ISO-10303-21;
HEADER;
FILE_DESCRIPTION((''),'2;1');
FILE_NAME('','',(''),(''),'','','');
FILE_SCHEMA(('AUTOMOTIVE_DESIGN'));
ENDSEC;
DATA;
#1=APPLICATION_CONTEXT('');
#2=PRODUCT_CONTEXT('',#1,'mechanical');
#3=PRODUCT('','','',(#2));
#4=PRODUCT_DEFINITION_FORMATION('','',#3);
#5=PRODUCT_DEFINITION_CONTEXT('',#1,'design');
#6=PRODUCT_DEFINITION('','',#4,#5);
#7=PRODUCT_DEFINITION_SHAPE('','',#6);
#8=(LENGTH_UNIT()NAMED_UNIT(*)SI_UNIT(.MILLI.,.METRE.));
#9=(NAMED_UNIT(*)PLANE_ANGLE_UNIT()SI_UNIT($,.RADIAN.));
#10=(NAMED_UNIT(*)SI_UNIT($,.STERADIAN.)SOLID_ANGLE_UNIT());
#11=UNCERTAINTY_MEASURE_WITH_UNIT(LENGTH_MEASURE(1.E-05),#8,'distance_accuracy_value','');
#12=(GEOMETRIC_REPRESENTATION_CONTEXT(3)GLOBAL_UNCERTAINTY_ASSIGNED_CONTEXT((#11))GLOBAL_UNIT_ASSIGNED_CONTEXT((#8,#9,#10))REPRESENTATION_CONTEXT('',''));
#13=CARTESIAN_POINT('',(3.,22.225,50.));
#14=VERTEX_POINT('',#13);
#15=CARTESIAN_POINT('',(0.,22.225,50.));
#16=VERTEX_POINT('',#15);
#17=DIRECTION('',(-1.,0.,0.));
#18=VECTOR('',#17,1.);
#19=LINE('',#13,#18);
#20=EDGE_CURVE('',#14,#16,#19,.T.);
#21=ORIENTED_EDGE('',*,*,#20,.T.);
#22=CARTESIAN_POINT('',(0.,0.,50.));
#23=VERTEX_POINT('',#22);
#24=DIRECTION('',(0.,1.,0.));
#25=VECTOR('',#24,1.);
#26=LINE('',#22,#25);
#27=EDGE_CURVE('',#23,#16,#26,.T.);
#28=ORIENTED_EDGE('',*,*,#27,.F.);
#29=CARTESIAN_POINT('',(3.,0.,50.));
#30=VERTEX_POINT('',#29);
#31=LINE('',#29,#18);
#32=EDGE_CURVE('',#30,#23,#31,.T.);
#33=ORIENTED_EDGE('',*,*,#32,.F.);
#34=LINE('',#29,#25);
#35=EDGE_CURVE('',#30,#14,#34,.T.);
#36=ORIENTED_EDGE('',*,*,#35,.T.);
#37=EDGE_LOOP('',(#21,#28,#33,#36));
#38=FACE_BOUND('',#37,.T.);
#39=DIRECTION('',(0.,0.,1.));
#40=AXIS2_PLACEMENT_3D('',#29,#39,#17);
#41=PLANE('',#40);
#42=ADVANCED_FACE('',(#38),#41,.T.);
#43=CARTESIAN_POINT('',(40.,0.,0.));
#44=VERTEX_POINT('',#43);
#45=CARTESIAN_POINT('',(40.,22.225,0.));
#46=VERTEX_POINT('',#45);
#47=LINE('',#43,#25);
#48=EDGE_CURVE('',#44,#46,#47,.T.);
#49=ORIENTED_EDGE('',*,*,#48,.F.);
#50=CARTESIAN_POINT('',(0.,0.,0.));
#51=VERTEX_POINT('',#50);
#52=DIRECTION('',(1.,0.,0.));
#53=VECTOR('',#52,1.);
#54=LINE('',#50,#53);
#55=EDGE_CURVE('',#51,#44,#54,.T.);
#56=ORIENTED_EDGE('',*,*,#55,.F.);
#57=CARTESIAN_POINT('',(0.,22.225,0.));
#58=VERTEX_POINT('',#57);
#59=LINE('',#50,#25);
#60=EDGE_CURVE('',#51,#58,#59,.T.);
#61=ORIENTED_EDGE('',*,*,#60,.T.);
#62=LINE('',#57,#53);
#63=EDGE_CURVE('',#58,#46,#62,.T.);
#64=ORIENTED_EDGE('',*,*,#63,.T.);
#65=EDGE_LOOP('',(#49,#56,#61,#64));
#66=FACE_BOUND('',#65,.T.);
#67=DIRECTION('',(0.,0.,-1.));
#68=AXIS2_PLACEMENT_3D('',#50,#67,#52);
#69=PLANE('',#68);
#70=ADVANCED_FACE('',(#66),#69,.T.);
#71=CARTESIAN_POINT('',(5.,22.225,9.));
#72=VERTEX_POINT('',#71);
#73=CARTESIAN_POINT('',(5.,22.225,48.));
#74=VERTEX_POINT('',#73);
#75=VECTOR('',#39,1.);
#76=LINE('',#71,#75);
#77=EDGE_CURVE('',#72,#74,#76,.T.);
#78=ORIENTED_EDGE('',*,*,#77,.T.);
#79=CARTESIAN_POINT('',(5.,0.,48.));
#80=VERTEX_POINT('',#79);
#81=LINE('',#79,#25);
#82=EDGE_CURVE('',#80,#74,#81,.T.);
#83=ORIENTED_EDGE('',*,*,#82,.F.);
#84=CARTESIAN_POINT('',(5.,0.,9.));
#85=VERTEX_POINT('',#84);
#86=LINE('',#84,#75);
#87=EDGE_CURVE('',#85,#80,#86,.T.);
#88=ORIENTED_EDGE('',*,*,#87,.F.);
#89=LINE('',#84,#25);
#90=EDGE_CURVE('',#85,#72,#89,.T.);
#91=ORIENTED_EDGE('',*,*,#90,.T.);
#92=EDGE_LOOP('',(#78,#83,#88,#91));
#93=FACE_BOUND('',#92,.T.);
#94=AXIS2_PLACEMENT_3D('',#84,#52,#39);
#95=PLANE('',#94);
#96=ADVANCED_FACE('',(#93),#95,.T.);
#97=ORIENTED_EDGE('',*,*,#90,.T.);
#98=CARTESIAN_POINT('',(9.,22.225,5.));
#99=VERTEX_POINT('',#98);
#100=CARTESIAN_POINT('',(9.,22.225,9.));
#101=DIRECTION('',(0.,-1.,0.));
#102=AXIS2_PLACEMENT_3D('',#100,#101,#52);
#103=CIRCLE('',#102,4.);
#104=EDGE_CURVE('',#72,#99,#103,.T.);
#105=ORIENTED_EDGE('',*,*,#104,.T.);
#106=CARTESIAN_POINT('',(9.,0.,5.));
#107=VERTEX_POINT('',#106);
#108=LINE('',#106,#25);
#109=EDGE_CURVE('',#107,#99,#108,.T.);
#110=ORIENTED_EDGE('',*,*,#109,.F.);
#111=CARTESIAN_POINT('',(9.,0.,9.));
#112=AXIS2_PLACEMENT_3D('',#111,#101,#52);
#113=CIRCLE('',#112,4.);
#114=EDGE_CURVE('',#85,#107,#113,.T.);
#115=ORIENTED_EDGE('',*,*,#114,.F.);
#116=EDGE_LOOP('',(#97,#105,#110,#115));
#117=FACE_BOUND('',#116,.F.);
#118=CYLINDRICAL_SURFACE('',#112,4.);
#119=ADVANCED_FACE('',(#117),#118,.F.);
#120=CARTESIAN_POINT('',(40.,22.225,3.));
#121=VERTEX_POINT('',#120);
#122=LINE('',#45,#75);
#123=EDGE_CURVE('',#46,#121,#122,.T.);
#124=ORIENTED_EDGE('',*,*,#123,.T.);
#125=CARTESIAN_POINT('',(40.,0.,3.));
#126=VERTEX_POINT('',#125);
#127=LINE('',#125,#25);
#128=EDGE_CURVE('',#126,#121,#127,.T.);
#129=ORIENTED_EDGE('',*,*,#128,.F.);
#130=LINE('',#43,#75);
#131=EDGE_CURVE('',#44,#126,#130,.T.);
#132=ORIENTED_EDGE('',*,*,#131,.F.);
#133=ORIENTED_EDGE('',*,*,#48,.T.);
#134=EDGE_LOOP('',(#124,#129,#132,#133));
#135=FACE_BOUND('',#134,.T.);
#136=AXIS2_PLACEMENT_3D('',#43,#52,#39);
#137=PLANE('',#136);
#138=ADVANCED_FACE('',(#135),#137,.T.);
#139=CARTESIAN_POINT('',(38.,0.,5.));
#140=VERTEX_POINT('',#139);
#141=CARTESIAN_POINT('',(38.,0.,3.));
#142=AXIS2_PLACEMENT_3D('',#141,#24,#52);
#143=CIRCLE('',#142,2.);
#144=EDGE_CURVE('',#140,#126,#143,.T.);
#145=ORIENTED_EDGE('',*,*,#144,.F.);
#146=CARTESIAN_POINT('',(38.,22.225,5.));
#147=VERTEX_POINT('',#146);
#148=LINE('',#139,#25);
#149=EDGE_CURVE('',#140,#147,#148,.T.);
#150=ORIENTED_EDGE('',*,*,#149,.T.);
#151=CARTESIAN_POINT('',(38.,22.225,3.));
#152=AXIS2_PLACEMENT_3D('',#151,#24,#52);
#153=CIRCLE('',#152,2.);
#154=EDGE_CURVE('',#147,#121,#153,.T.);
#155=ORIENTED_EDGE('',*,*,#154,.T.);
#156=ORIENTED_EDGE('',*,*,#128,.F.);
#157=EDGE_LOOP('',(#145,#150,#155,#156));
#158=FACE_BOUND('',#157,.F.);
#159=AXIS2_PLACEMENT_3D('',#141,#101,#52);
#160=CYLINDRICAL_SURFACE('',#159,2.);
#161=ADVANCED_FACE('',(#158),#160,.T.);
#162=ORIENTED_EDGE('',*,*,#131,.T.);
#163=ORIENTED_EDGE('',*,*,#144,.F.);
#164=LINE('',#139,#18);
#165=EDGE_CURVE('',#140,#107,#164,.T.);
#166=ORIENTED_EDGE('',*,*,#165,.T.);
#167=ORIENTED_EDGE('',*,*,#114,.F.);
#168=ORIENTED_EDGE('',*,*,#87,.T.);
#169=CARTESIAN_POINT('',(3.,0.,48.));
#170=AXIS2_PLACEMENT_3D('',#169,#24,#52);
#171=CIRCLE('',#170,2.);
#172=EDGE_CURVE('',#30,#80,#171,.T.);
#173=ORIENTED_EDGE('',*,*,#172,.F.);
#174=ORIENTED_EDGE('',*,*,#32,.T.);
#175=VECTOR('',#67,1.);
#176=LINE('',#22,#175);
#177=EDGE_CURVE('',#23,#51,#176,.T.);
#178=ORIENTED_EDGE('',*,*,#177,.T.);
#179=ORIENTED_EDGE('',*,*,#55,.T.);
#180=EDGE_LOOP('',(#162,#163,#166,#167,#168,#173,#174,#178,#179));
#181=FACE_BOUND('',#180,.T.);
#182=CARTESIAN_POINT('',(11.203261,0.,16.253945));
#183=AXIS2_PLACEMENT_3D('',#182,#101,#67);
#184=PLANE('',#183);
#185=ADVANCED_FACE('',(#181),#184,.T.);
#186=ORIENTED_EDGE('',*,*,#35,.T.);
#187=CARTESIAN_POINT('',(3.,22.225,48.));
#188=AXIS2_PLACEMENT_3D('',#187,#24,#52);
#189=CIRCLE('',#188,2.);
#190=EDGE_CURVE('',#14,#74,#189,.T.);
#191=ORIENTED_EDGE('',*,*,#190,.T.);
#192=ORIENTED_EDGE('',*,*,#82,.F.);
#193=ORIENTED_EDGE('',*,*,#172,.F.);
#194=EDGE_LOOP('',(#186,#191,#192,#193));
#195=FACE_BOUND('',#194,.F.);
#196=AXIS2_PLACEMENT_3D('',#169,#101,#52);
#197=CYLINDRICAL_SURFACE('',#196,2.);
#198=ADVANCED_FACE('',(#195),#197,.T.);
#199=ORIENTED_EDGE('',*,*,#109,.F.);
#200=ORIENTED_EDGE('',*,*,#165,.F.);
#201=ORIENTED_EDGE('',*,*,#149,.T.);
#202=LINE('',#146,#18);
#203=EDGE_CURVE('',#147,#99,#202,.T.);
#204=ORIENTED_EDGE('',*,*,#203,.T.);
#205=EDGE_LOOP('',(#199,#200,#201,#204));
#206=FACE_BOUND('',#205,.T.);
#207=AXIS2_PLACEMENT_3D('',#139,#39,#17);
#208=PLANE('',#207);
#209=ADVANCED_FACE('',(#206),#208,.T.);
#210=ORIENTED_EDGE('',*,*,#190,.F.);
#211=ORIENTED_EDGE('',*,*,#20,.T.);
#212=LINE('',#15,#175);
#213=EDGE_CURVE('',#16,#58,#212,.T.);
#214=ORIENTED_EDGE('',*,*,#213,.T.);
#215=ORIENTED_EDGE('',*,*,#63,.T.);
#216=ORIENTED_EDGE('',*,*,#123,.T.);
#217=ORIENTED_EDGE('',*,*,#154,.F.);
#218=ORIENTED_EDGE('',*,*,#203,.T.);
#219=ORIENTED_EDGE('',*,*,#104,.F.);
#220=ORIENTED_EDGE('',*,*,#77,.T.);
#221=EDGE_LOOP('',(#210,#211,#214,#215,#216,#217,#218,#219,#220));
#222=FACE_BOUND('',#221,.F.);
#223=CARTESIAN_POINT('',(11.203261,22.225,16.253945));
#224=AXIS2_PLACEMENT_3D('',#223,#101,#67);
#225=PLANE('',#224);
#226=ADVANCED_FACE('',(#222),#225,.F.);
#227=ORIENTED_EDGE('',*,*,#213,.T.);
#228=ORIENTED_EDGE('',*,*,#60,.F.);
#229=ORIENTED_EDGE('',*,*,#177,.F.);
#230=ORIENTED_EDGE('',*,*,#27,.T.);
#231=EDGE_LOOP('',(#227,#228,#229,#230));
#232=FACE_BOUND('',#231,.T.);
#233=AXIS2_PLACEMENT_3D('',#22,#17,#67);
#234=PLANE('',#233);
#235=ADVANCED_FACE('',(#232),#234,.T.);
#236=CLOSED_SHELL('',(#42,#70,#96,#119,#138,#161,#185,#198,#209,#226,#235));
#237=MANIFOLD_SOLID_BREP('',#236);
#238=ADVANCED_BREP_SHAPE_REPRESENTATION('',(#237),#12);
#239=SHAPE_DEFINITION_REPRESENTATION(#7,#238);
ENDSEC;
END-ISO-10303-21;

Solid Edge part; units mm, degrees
sketch "Sketch1" plane through (0, 0, 0) normal (0, -1, 0) x (1, 0, 0)
  line L0 (40, 0) -> (40, 3)
  arc A0 (38, 5) -> (40, 3) centre (38, 3) cw
  line L1 (38, 5) -> (9, 5)
  arc A1 (5, 9) -> (9, 5) centre (9, 9) ccw
  line L2 (5, 9) -> (5, 48)
  arc A2 (3, 50) -> (5, 48) centre (3, 48) cw
  line L3 (3, 50) -> (0, 50)
  line L4 (0, 50) -> (0, 0)
  line L5 (0, 0) -> (40, 0)
  dimension "D1" = 50
  dimension "D2" = 40
  dimension "D3" = 5
  dimension "D4" = 5
extrude "Protrusion1" add sketch "Sketch1" against normal blind 22.225
